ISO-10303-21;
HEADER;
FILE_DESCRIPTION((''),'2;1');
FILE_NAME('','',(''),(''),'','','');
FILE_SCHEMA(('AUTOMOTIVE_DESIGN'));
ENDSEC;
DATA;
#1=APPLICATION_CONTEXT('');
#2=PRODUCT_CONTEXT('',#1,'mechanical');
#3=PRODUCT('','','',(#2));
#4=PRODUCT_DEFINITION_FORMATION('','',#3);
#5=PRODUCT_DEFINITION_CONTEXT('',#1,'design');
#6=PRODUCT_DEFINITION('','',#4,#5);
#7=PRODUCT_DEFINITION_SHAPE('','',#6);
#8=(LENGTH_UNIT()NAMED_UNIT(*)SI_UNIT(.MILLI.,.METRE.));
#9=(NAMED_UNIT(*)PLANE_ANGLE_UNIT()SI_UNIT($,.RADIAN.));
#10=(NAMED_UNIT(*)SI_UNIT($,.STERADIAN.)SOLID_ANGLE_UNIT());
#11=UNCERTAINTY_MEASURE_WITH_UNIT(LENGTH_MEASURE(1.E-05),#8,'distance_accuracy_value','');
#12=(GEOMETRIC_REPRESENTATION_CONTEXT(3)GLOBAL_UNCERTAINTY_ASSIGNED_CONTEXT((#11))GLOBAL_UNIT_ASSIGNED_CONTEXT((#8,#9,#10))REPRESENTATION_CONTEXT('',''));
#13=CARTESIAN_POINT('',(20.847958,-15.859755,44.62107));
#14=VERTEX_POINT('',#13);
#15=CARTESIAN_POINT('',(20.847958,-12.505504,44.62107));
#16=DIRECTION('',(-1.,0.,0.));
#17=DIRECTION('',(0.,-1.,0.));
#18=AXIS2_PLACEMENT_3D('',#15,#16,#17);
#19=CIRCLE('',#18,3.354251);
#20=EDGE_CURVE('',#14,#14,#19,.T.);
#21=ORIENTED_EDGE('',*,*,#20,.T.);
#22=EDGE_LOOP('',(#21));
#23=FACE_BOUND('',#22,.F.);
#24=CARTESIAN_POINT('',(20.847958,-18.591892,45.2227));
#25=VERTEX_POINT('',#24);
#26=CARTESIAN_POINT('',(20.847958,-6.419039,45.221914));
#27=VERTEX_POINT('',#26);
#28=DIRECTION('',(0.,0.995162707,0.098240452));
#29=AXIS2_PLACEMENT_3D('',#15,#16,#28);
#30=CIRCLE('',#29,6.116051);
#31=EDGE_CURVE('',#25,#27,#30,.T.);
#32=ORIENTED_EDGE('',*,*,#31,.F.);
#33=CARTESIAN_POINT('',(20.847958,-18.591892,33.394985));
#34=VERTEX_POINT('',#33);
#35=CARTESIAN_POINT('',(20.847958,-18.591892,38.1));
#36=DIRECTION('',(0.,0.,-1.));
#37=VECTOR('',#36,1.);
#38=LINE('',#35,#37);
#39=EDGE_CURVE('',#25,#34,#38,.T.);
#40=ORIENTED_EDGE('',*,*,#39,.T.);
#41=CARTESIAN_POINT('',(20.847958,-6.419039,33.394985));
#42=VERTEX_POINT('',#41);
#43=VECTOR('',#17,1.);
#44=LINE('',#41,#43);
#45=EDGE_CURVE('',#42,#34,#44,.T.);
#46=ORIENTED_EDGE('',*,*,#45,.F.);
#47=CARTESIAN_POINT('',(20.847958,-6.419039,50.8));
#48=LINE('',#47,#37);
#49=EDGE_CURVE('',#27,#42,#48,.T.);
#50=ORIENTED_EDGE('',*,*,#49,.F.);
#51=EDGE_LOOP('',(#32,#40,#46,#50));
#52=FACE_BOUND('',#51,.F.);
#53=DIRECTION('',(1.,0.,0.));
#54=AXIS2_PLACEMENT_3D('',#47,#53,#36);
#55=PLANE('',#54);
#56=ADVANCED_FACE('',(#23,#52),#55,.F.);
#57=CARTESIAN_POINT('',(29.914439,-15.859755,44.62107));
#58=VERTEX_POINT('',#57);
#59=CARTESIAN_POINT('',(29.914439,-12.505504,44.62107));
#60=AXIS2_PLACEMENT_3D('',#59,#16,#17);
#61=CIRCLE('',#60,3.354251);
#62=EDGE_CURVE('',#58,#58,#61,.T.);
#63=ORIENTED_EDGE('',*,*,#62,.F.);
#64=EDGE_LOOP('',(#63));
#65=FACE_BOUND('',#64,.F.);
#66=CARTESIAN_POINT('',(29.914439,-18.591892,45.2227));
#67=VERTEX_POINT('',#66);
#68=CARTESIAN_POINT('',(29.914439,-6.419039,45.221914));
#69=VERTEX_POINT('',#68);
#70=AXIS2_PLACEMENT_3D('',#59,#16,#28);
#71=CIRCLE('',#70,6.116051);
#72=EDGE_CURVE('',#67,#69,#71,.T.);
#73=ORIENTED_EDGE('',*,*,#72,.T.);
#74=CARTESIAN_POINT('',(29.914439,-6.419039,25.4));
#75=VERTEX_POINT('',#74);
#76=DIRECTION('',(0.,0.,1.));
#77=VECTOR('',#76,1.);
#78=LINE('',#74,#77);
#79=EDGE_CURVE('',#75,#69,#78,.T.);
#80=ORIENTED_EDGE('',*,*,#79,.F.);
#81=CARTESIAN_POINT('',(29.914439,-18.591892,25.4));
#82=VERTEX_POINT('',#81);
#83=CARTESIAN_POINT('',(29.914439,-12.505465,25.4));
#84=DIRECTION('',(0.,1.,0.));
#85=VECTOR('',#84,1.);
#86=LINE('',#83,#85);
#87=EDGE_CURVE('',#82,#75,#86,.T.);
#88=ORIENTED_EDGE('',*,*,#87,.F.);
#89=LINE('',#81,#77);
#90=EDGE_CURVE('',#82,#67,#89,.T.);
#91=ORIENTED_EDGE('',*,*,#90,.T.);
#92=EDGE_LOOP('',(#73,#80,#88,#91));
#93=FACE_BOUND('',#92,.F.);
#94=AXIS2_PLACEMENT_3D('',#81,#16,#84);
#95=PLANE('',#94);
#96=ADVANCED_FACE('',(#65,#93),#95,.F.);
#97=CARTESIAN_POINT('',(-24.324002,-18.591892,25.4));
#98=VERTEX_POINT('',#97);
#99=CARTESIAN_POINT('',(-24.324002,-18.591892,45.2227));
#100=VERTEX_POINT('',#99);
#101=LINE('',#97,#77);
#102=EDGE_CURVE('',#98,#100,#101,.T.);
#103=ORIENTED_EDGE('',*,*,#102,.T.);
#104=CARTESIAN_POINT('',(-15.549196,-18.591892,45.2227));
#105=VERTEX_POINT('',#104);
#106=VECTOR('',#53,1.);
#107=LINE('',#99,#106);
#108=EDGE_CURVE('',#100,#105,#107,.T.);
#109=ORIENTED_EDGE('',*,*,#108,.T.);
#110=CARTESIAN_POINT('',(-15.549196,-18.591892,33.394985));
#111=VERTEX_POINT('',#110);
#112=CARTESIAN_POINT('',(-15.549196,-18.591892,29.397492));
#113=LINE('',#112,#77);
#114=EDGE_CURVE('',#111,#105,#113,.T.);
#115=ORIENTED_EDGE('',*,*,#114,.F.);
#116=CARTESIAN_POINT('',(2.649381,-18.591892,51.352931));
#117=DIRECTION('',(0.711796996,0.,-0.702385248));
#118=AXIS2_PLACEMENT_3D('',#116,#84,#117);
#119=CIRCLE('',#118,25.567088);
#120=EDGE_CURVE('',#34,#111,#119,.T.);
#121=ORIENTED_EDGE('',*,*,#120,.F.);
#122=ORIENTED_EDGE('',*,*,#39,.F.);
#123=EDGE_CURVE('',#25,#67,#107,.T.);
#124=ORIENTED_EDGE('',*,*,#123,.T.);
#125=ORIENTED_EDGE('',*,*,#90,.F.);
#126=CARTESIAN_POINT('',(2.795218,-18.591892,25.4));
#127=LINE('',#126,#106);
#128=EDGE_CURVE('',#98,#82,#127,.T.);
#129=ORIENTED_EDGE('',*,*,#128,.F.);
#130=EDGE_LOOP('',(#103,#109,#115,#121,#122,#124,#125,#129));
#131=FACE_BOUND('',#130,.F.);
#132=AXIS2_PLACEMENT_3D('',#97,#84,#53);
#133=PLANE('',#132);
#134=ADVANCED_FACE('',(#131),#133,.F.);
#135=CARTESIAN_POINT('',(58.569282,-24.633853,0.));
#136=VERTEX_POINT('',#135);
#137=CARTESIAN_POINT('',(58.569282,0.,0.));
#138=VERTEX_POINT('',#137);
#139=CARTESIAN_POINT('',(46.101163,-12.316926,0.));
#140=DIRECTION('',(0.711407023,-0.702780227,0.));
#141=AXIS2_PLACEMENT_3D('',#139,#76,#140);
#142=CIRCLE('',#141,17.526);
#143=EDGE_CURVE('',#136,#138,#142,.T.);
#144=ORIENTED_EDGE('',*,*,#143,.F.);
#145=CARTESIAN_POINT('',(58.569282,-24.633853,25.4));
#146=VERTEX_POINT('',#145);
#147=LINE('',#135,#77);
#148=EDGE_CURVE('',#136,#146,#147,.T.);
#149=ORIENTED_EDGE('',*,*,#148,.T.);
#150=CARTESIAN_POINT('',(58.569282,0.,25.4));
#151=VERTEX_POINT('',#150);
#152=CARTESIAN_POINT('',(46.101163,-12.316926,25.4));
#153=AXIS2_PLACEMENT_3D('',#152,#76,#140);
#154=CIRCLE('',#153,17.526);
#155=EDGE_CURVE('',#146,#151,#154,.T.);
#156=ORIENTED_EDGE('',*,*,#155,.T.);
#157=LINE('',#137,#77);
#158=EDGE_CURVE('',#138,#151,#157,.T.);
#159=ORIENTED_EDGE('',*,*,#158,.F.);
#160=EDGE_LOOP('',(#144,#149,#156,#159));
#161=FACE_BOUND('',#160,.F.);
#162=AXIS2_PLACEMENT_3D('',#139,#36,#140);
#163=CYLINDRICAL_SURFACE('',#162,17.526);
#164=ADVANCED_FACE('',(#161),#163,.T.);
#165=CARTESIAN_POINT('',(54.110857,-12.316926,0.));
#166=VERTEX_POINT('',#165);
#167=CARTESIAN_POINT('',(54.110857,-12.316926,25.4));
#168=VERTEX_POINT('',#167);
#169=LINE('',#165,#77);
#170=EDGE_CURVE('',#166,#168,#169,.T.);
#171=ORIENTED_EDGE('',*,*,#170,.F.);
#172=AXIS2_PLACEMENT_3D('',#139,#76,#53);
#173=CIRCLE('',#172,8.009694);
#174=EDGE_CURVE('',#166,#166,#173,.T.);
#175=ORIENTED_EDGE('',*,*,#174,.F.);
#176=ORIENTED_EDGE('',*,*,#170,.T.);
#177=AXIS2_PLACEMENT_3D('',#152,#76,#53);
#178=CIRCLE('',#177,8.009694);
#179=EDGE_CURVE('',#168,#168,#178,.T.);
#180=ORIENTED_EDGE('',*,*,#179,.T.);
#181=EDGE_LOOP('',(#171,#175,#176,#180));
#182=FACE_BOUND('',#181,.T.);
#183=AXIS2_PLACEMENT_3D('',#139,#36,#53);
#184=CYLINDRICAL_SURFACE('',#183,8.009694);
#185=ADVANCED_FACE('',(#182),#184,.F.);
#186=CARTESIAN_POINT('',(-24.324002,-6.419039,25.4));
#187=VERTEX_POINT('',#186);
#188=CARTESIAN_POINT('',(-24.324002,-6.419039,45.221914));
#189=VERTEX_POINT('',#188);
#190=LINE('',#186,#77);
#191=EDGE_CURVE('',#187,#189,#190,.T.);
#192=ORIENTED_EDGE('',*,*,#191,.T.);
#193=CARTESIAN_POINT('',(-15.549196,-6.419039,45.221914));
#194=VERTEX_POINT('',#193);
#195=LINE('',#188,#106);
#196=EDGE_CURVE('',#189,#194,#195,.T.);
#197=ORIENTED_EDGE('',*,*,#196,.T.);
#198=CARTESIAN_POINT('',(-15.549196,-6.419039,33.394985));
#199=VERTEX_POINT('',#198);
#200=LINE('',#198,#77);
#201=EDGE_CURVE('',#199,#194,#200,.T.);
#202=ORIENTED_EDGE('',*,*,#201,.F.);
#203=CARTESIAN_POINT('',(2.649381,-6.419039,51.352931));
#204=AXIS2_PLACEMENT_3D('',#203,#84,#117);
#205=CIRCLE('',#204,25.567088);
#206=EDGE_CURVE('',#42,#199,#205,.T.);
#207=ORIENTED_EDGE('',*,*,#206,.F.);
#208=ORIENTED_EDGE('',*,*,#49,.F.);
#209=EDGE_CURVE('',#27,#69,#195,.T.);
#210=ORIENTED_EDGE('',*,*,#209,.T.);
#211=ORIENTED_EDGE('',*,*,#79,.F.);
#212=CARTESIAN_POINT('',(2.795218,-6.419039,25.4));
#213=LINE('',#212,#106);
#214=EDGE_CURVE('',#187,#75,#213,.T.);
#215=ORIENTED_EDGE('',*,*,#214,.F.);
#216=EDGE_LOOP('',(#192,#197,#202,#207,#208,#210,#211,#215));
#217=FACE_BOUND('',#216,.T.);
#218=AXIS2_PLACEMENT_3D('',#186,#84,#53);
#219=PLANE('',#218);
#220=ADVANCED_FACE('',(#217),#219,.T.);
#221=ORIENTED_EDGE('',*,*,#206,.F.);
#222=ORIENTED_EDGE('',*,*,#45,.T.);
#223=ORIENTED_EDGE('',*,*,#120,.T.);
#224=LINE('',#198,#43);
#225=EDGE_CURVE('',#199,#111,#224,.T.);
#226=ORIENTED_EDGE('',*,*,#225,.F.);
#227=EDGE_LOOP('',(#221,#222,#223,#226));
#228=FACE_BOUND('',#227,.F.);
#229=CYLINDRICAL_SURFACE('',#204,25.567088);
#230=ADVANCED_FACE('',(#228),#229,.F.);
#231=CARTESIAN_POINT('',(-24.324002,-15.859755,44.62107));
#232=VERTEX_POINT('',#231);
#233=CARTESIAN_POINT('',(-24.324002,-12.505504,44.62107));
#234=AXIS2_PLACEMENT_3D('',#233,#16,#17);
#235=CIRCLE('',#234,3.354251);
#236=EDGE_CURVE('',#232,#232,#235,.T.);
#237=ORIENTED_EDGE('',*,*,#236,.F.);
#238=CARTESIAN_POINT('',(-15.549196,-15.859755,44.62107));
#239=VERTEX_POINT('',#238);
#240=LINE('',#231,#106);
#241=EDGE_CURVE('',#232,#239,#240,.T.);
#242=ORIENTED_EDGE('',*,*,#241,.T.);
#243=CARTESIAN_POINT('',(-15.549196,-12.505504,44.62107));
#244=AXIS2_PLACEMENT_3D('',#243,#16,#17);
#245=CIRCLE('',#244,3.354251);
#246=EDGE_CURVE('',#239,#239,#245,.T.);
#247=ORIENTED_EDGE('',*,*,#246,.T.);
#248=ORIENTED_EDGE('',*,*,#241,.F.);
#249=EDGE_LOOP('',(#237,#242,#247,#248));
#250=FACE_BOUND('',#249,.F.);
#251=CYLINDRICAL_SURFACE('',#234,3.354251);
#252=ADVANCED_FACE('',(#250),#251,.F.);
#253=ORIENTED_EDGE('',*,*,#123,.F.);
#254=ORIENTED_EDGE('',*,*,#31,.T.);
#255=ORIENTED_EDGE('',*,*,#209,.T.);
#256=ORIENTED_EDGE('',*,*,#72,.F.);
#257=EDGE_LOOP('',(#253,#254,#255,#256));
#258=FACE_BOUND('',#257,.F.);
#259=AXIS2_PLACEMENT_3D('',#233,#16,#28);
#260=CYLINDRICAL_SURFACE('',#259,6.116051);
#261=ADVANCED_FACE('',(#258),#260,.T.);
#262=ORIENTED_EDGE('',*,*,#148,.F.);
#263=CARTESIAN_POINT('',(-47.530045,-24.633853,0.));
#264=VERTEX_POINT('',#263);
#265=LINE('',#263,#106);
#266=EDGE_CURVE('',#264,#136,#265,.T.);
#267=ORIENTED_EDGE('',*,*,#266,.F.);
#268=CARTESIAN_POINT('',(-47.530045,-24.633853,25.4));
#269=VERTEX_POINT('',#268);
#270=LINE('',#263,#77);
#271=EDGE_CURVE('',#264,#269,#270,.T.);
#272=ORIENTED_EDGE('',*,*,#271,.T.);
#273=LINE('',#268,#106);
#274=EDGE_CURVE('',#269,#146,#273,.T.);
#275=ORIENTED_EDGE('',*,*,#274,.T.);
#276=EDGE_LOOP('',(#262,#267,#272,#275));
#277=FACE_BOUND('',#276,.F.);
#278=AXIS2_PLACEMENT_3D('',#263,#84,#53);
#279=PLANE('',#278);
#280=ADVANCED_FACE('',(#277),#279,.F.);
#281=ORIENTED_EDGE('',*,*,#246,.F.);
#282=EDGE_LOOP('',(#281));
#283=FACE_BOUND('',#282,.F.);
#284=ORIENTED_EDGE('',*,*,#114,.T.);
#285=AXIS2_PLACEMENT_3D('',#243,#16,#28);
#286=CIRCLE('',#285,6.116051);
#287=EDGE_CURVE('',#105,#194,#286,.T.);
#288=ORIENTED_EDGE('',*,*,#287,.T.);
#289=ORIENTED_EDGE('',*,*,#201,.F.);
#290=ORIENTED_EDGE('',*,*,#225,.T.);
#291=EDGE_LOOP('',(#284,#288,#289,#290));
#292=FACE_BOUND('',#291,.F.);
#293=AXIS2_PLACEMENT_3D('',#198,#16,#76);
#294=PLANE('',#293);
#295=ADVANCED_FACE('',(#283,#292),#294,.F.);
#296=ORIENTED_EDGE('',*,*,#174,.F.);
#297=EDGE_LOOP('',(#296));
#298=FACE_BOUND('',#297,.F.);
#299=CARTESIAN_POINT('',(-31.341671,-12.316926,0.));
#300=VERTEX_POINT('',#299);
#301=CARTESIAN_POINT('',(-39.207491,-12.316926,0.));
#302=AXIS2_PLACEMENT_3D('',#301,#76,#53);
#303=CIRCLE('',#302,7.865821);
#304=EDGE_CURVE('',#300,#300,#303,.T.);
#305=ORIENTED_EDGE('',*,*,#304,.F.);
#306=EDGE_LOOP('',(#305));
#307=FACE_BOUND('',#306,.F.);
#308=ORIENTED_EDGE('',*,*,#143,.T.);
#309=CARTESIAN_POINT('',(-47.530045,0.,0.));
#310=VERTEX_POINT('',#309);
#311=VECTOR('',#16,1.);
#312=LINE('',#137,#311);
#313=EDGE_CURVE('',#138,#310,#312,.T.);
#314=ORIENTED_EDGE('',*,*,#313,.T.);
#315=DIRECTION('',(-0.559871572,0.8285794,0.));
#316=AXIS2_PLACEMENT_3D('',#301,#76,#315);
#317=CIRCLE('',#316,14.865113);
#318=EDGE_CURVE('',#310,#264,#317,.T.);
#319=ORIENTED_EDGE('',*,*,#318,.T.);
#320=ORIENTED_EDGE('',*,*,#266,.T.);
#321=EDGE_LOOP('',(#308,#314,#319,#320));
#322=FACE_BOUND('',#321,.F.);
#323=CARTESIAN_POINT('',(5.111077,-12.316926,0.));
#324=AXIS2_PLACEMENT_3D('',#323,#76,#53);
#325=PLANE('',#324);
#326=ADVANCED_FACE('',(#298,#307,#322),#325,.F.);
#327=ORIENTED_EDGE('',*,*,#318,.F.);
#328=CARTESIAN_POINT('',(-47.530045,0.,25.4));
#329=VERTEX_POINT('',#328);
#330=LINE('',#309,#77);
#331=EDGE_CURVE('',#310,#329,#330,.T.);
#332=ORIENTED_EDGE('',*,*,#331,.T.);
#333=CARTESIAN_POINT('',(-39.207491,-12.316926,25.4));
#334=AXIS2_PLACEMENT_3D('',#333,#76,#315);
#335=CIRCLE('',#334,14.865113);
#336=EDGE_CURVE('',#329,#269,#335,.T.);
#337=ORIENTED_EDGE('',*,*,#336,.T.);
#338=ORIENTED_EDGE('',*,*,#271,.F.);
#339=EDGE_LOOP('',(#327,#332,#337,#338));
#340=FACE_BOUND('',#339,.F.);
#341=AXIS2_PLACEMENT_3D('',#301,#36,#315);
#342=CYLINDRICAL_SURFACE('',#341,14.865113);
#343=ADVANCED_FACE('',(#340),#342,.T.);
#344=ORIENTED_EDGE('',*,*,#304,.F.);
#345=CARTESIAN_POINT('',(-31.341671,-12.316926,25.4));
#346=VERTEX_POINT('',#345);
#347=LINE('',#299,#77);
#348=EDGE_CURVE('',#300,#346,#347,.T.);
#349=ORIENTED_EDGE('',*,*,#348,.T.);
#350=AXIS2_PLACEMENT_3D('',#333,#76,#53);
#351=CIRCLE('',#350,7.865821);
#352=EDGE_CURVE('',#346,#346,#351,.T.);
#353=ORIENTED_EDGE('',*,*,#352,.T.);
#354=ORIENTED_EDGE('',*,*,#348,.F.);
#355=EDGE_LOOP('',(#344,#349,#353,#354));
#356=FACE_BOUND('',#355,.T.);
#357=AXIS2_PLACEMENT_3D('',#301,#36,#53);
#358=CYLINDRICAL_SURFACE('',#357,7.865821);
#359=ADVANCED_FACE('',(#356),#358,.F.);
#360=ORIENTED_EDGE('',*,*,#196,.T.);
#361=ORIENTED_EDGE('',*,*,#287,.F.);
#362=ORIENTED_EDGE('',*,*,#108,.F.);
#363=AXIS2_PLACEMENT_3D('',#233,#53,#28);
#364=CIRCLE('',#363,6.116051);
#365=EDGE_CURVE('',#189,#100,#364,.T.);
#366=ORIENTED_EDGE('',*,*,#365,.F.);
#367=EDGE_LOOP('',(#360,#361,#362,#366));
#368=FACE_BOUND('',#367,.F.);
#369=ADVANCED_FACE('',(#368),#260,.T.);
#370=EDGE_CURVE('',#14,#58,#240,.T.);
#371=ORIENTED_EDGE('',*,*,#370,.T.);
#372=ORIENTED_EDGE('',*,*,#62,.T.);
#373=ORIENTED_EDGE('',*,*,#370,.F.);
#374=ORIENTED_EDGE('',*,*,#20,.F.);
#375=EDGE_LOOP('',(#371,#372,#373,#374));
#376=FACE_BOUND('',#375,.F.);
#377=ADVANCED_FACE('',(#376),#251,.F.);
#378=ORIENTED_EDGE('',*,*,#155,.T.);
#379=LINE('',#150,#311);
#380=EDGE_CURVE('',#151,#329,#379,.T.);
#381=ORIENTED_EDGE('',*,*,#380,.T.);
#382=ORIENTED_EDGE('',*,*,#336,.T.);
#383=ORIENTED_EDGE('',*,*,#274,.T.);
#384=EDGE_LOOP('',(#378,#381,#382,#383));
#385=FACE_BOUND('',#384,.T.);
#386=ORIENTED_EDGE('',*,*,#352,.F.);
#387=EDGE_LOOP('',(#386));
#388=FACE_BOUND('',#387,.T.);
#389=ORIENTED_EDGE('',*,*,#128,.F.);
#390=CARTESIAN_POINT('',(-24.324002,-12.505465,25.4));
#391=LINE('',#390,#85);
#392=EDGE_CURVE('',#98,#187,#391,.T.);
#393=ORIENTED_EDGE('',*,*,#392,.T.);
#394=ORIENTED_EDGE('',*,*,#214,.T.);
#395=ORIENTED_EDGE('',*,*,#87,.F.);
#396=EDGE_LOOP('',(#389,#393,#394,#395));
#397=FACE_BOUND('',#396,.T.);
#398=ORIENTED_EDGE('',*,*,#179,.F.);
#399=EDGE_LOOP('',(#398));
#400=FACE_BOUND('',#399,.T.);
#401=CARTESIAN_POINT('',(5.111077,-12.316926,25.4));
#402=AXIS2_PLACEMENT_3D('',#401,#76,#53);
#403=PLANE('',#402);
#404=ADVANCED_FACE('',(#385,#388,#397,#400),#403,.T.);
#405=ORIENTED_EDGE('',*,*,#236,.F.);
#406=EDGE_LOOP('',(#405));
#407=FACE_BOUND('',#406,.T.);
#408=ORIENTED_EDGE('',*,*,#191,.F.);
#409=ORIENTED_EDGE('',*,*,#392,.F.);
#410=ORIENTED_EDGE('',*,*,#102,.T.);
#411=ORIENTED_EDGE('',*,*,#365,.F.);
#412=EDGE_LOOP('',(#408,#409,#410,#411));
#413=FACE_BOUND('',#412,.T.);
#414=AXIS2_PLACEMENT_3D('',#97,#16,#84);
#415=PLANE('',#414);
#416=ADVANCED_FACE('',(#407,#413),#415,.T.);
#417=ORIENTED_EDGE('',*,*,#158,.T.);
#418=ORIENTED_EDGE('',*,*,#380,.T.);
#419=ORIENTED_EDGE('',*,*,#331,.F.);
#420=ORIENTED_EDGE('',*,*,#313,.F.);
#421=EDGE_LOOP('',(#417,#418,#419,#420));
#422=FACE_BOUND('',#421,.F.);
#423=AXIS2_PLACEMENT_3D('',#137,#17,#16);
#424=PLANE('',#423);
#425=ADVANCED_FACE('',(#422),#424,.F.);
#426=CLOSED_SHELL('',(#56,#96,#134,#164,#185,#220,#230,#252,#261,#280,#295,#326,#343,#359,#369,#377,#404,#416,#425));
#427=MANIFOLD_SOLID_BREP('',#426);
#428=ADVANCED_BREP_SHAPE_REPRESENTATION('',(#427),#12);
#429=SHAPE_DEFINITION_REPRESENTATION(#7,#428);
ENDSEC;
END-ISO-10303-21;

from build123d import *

# Parameters (mm, degrees)
F0_R     = 7.8658205016
F0_R_2   = 8.0096944888
F1_DEPTH = 25.4
F2_W     = 54.2384404689
F2_H     = 12.1728531085
F3_DEPTH = 25.4
F5_DEPTH = 25.4
F6_R     = 3.3542510186
F7_DEPTH = 77.978


with BuildPart() as f1:
    # F0 (on Top) → F1 (new body)
    with BuildSketch(Plane.XY):
        with BuildLine():
            ThreePointArc((-47.5300452468, 0), (-54.0726039784, -12.3169262593), (-47.5300452468, -24.6338525186))
            Line((-47.5300452468, -24.6338525186), (58.5692822962, -24.6338525186))
            ThreePointArc((58.5692822962, -24.6338525186), (63.62716281, -12.3169262593), (58.5692822962, 0))
            Line((58.5692822962, 0), (-47.5300452468, 0))
        make_face()
        with Locations((-39.2074911675, -12.3169262593)):
            Circle(F0_R, mode=Mode.SUBTRACT)
        with Locations((46.10116281, -12.3169262593)):
            Circle(F0_R_2, mode=Mode.SUBTRACT)
    extrude(amount=F1_DEPTH)

    # F2 (on face) → F3 (join)
    with BuildSketch(Plane.XY.offset(25.4)):
        with Locations((2.7952184901, -12.50546542)):
            Rectangle(F2_W, F2_H)
    extrude(amount=F3_DEPTH)

    # F4 (on face) → F5 (cut)
    with BuildSketch(Plane(origin=(0, -6.4190388657, 0), x_dir=(-1, 0, 0), z_dir=(0, 1, 0))):
        with BuildLine():
            Line((15.5491959304, 50.8), (-20.8479575813, 50.8))
            Line((-20.8479575813, 50.8), (-20.8479575813, 33.394984901))
            ThreePointArc((-20.8479575813, 33.394984901), (-2.6493808255, 25.785842215), (15.5491959304, 33.394984901))
            Line((15.5491959304, 33.394984901), (15.5491959304, 50.8))
        make_face()
    extrude(amount=-F5_DEPTH, mode=Mode.SUBTRACT)

    # F6 (on face) → F7 (cut)
    with BuildSketch(Plane(origin=(-24.3240017444, 0, 0), x_dir=(0, -1, 0), z_dir=(-1, 0, 0))):
        with BuildLine():
            ThreePointArc((6.4190388657, 45.2219136059), (12.5051093125, 50.7371205343), (18.5918919742, 45.2226996422))
            Line((18.5918919742, 45.2226996422), (18.5918919742, 50.8))
            Line((18.5918919742, 50.8), (6.4190388657, 50.8))
            Line((6.4190388657, 50.8), (6.4190388657, 45.2219136059))
        make_face()
        with Locations((12.5055042435, 44.6210700417)):
            Circle(F6_R)
    extrude(amount=-F7_DEPTH, mode=Mode.SUBTRACT)


solid = f1.part
